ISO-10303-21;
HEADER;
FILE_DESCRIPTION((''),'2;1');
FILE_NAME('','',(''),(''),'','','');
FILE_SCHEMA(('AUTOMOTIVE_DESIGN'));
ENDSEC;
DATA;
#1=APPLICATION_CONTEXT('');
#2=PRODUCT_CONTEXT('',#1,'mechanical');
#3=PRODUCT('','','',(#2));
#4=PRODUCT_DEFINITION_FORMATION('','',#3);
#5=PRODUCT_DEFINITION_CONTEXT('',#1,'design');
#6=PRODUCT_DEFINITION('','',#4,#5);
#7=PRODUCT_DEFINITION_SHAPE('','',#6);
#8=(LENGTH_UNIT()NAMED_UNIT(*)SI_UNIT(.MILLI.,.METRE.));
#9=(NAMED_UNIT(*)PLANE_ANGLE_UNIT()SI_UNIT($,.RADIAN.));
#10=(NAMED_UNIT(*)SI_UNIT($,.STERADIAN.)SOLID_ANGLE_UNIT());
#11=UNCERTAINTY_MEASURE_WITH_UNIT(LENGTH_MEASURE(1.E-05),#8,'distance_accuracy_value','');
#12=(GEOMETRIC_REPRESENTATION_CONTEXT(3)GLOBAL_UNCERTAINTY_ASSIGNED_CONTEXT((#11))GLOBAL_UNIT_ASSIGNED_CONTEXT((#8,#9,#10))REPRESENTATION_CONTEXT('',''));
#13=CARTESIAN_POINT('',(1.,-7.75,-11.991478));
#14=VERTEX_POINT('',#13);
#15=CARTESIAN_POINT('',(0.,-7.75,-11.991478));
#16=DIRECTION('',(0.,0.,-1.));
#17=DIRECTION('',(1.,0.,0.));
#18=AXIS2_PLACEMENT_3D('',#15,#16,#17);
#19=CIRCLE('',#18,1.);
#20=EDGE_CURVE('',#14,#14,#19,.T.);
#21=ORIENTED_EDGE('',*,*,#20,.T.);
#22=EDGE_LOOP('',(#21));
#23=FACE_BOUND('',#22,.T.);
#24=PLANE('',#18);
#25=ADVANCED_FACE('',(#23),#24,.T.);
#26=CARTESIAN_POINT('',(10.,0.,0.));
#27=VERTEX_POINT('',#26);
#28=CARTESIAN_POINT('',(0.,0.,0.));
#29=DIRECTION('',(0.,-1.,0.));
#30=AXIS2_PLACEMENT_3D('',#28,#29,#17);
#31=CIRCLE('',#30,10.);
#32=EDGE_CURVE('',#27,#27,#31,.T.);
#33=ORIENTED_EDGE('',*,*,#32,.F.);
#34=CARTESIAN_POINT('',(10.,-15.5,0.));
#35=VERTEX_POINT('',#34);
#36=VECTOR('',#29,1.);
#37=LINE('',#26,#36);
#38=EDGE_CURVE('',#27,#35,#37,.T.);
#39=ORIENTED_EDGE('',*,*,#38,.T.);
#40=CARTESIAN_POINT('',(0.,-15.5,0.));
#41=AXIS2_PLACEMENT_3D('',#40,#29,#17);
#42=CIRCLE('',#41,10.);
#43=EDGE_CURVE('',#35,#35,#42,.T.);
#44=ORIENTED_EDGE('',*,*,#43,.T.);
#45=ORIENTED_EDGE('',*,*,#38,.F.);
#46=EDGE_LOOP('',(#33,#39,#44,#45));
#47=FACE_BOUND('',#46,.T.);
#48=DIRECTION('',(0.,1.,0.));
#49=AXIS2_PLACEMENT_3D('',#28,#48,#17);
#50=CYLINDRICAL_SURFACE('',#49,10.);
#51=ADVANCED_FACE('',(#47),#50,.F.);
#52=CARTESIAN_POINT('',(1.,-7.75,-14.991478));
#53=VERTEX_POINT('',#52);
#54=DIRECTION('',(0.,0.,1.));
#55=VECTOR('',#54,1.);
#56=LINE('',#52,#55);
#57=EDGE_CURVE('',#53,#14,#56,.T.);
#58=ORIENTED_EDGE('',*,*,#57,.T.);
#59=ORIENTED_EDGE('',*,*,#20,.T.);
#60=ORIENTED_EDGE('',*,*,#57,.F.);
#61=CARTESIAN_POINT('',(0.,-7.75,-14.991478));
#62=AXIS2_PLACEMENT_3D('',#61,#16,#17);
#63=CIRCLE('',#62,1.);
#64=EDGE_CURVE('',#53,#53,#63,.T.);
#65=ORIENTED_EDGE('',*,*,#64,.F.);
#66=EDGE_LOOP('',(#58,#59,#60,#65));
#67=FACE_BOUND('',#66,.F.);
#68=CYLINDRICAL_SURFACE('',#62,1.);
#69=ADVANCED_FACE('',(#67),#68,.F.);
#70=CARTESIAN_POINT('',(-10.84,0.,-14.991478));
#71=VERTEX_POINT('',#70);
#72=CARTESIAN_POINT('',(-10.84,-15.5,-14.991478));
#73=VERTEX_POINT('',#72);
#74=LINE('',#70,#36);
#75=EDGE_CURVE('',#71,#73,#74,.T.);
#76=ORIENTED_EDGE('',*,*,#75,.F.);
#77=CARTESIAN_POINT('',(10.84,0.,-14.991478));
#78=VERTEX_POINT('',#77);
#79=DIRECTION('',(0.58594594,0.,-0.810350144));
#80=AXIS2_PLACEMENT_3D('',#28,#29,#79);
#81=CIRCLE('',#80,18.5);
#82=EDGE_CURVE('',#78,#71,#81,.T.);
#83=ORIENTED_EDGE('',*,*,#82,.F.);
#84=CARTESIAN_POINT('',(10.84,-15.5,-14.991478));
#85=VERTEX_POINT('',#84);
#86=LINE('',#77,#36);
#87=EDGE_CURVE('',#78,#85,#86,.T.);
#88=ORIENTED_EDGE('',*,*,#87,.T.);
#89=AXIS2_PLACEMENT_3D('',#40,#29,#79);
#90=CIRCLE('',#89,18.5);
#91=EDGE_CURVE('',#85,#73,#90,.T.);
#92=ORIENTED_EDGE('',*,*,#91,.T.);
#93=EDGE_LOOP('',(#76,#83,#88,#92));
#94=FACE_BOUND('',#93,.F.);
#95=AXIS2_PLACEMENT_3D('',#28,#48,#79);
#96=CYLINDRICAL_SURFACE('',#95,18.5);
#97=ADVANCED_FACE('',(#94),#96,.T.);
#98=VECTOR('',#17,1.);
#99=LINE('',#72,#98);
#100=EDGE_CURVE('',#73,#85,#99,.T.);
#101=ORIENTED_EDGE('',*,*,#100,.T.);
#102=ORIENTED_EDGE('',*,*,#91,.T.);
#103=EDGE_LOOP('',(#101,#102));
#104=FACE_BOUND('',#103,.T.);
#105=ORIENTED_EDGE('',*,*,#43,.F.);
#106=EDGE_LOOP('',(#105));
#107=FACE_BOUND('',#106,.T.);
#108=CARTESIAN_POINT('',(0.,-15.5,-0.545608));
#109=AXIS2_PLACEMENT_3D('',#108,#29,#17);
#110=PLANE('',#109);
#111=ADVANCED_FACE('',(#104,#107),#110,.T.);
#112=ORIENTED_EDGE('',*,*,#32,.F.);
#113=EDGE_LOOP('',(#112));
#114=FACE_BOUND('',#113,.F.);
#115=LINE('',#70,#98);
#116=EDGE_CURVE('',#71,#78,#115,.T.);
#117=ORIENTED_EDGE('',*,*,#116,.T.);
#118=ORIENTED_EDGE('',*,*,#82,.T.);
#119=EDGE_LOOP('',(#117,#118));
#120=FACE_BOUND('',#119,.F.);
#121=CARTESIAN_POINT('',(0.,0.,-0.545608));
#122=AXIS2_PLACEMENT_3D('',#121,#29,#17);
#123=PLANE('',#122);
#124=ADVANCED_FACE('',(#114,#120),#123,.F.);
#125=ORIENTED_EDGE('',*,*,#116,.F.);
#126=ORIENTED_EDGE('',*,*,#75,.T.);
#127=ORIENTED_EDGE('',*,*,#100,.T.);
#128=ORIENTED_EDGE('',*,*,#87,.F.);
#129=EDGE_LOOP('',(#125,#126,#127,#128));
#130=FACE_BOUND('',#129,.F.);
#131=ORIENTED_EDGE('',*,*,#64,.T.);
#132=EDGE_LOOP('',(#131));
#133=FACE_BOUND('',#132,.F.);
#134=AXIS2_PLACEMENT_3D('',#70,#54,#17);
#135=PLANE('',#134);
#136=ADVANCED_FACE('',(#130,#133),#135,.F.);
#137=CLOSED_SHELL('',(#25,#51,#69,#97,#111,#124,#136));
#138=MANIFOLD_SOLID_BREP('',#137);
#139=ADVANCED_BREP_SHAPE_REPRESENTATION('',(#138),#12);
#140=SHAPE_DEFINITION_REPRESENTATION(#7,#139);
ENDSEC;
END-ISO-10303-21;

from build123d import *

# Parameters (mm, degrees)
F0_R     = 10
F1_DEPTH = 15.5
F2_R     = 1
F3_DEPTH = 3


with BuildPart() as f1:
    # F0 (on Front) → F1 (new body)
    with BuildSketch(Plane.XZ):
        with BuildLine():
            Line((-10.84, -14.991478), (10.84, -14.991478))
            ThreePointArc((10.84, -14.991478), (0, 18.5), (-10.84, -14.991478))
        make_face()
        Circle(F0_R, mode=Mode.SUBTRACT)
    extrude(amount=F1_DEPTH)

    # F2 (on face) → F3 (cut)
    with BuildSketch(Plane(origin=(0, 0, -14.991478), x_dir=(1, 0, 0), z_dir=(0, 0, -1))):
        with Locations((0, 7.75)):
            Circle(F2_R)
    extrude(amount=-F3_DEPTH, mode=Mode.SUBTRACT)


solid = f1.part
